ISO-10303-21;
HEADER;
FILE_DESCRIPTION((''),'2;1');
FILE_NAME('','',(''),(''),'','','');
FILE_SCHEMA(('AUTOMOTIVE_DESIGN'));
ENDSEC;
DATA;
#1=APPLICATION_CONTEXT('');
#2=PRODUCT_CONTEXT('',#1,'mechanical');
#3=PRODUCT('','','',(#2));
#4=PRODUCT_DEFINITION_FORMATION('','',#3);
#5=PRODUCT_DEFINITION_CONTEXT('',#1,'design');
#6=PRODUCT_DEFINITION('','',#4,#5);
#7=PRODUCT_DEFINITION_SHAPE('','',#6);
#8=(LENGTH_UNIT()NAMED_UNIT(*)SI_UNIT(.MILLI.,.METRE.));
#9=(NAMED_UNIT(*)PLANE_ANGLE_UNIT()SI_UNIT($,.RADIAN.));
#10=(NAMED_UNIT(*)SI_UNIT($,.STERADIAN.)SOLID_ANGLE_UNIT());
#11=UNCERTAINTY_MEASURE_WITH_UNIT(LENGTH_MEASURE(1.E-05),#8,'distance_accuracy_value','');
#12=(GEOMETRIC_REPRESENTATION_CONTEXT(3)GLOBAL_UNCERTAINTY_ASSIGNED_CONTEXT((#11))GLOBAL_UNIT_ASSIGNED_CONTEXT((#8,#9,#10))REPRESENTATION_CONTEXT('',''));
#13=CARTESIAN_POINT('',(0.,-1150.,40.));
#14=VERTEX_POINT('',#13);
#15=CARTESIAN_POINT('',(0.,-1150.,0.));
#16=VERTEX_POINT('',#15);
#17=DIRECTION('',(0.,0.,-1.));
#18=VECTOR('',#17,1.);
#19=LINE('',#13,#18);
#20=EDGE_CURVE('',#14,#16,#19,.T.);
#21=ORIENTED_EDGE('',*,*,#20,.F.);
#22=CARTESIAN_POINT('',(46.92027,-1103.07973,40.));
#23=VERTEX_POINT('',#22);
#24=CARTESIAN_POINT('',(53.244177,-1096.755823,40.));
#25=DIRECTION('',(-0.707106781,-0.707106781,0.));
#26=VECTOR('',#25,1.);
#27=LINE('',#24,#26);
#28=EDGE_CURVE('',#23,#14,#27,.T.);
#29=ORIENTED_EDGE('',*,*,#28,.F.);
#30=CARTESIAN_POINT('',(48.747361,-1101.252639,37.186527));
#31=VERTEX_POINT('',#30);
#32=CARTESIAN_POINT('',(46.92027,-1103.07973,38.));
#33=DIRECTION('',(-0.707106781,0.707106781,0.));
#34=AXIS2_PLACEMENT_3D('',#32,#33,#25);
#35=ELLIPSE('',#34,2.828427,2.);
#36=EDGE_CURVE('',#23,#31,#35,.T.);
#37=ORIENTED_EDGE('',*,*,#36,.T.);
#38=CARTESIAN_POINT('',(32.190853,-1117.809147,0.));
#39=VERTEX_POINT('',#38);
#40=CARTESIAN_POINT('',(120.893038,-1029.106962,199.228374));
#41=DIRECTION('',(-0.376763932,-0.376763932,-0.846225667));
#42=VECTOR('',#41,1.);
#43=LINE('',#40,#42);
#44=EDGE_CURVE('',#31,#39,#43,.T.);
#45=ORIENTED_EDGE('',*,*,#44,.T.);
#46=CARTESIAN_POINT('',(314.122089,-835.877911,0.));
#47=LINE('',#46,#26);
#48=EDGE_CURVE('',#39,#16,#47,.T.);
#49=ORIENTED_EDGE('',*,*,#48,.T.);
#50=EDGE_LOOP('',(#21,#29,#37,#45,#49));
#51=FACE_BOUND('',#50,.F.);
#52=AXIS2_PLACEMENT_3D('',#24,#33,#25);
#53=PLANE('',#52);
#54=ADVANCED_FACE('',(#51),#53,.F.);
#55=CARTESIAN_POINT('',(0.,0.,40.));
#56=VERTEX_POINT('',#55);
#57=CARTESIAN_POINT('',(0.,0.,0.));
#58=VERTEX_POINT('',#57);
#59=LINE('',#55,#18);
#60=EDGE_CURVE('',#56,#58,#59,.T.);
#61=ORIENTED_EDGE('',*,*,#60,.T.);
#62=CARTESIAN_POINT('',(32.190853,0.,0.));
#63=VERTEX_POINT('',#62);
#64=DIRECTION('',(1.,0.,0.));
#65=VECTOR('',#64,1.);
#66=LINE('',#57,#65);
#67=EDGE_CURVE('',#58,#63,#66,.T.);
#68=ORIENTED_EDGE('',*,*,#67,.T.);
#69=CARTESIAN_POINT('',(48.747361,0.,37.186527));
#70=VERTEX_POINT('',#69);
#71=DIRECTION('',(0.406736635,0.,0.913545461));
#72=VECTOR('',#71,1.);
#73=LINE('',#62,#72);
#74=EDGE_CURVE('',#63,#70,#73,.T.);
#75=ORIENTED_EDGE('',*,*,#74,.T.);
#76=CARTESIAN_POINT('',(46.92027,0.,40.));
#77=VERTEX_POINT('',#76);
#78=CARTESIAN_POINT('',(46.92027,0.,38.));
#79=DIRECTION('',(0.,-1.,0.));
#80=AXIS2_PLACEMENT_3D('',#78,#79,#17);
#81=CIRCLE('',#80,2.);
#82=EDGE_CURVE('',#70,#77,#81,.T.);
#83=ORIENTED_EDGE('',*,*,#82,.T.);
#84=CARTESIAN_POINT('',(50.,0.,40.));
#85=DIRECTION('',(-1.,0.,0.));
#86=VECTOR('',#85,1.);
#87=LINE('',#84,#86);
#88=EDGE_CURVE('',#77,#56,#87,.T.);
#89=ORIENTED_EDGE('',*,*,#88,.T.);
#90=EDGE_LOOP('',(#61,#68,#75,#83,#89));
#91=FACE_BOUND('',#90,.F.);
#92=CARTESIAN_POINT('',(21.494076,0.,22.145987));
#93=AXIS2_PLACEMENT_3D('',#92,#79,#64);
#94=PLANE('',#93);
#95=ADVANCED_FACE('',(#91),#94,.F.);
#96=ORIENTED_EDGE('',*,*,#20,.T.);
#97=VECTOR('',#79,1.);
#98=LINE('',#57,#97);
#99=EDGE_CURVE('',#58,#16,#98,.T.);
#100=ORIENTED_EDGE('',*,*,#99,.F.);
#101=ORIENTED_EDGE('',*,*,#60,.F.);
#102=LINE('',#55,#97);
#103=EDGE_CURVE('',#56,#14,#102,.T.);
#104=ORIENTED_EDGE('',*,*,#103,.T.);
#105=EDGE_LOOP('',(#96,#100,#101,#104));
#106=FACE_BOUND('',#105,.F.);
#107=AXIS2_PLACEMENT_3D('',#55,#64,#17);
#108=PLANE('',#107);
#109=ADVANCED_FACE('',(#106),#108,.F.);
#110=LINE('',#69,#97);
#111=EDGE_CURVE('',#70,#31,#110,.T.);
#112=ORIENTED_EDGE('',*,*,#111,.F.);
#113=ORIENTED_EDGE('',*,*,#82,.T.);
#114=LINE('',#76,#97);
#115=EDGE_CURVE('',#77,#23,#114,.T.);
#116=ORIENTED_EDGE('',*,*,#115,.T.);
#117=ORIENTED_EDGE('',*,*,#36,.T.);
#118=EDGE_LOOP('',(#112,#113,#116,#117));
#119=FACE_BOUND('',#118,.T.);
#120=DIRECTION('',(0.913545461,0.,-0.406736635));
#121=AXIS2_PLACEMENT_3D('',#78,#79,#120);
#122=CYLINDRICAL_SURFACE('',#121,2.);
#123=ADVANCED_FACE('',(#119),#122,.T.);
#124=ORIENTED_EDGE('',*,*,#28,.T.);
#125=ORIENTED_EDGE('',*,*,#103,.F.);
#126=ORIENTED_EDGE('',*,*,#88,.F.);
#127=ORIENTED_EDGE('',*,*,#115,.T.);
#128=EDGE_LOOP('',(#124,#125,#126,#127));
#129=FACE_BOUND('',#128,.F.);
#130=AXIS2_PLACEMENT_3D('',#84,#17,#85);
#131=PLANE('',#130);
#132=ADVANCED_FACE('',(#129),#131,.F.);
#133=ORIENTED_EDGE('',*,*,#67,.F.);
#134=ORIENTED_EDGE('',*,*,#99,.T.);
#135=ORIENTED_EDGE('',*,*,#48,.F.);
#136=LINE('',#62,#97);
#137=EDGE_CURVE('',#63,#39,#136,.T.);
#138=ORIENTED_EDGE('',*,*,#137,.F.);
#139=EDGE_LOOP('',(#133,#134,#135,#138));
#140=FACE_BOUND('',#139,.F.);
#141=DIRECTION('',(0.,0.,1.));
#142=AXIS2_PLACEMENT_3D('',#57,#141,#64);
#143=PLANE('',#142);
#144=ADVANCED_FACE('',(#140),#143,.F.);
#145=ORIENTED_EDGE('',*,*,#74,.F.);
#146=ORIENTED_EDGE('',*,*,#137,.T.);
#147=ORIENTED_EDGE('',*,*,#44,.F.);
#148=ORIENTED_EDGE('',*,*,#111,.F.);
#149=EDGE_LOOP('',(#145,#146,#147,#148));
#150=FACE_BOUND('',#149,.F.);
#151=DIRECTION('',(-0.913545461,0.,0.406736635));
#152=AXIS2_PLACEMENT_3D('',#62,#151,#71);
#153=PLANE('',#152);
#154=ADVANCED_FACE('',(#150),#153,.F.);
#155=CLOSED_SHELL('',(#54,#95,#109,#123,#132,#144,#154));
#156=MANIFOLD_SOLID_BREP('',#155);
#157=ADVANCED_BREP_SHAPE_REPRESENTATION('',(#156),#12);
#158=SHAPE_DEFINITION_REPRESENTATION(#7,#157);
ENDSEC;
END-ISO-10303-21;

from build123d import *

# Parameters (mm, degrees)
F1_DEPTH = 1150
F2_R     = 2
F4_DEPTH = 40.001


with BuildPart() as f1:
    # F0 (on Front) → F1 (new body)
    with BuildSketch(Plane.XZ):
        Polygon((0, 40), (0, 0), (32.190853, 0), (50, 40), align=None)
    extrude(amount=F1_DEPTH)

    # F2
    f2_edges = [f1.edges().sort_by_distance(p)[0] for p in [
        (50, -575, 40),
    ]]
    fillet(f2_edges, radius=F2_R)

    # F3 (on face) → F4 (cut, through all)
    with BuildSketch(Plane.XY.offset(40)):
        Polygon((46.92027, -1103.07973), (0, -1150), (46.92027, -1150), align=None)
        Polygon((53.244177, -1096.755823), (46.92027, -1103.07973), (46.92027, -1150), (53.244177, -1150), align=None)
    extrude(amount=-F4_DEPTH, mode=Mode.SUBTRACT)


solid = f1.part
